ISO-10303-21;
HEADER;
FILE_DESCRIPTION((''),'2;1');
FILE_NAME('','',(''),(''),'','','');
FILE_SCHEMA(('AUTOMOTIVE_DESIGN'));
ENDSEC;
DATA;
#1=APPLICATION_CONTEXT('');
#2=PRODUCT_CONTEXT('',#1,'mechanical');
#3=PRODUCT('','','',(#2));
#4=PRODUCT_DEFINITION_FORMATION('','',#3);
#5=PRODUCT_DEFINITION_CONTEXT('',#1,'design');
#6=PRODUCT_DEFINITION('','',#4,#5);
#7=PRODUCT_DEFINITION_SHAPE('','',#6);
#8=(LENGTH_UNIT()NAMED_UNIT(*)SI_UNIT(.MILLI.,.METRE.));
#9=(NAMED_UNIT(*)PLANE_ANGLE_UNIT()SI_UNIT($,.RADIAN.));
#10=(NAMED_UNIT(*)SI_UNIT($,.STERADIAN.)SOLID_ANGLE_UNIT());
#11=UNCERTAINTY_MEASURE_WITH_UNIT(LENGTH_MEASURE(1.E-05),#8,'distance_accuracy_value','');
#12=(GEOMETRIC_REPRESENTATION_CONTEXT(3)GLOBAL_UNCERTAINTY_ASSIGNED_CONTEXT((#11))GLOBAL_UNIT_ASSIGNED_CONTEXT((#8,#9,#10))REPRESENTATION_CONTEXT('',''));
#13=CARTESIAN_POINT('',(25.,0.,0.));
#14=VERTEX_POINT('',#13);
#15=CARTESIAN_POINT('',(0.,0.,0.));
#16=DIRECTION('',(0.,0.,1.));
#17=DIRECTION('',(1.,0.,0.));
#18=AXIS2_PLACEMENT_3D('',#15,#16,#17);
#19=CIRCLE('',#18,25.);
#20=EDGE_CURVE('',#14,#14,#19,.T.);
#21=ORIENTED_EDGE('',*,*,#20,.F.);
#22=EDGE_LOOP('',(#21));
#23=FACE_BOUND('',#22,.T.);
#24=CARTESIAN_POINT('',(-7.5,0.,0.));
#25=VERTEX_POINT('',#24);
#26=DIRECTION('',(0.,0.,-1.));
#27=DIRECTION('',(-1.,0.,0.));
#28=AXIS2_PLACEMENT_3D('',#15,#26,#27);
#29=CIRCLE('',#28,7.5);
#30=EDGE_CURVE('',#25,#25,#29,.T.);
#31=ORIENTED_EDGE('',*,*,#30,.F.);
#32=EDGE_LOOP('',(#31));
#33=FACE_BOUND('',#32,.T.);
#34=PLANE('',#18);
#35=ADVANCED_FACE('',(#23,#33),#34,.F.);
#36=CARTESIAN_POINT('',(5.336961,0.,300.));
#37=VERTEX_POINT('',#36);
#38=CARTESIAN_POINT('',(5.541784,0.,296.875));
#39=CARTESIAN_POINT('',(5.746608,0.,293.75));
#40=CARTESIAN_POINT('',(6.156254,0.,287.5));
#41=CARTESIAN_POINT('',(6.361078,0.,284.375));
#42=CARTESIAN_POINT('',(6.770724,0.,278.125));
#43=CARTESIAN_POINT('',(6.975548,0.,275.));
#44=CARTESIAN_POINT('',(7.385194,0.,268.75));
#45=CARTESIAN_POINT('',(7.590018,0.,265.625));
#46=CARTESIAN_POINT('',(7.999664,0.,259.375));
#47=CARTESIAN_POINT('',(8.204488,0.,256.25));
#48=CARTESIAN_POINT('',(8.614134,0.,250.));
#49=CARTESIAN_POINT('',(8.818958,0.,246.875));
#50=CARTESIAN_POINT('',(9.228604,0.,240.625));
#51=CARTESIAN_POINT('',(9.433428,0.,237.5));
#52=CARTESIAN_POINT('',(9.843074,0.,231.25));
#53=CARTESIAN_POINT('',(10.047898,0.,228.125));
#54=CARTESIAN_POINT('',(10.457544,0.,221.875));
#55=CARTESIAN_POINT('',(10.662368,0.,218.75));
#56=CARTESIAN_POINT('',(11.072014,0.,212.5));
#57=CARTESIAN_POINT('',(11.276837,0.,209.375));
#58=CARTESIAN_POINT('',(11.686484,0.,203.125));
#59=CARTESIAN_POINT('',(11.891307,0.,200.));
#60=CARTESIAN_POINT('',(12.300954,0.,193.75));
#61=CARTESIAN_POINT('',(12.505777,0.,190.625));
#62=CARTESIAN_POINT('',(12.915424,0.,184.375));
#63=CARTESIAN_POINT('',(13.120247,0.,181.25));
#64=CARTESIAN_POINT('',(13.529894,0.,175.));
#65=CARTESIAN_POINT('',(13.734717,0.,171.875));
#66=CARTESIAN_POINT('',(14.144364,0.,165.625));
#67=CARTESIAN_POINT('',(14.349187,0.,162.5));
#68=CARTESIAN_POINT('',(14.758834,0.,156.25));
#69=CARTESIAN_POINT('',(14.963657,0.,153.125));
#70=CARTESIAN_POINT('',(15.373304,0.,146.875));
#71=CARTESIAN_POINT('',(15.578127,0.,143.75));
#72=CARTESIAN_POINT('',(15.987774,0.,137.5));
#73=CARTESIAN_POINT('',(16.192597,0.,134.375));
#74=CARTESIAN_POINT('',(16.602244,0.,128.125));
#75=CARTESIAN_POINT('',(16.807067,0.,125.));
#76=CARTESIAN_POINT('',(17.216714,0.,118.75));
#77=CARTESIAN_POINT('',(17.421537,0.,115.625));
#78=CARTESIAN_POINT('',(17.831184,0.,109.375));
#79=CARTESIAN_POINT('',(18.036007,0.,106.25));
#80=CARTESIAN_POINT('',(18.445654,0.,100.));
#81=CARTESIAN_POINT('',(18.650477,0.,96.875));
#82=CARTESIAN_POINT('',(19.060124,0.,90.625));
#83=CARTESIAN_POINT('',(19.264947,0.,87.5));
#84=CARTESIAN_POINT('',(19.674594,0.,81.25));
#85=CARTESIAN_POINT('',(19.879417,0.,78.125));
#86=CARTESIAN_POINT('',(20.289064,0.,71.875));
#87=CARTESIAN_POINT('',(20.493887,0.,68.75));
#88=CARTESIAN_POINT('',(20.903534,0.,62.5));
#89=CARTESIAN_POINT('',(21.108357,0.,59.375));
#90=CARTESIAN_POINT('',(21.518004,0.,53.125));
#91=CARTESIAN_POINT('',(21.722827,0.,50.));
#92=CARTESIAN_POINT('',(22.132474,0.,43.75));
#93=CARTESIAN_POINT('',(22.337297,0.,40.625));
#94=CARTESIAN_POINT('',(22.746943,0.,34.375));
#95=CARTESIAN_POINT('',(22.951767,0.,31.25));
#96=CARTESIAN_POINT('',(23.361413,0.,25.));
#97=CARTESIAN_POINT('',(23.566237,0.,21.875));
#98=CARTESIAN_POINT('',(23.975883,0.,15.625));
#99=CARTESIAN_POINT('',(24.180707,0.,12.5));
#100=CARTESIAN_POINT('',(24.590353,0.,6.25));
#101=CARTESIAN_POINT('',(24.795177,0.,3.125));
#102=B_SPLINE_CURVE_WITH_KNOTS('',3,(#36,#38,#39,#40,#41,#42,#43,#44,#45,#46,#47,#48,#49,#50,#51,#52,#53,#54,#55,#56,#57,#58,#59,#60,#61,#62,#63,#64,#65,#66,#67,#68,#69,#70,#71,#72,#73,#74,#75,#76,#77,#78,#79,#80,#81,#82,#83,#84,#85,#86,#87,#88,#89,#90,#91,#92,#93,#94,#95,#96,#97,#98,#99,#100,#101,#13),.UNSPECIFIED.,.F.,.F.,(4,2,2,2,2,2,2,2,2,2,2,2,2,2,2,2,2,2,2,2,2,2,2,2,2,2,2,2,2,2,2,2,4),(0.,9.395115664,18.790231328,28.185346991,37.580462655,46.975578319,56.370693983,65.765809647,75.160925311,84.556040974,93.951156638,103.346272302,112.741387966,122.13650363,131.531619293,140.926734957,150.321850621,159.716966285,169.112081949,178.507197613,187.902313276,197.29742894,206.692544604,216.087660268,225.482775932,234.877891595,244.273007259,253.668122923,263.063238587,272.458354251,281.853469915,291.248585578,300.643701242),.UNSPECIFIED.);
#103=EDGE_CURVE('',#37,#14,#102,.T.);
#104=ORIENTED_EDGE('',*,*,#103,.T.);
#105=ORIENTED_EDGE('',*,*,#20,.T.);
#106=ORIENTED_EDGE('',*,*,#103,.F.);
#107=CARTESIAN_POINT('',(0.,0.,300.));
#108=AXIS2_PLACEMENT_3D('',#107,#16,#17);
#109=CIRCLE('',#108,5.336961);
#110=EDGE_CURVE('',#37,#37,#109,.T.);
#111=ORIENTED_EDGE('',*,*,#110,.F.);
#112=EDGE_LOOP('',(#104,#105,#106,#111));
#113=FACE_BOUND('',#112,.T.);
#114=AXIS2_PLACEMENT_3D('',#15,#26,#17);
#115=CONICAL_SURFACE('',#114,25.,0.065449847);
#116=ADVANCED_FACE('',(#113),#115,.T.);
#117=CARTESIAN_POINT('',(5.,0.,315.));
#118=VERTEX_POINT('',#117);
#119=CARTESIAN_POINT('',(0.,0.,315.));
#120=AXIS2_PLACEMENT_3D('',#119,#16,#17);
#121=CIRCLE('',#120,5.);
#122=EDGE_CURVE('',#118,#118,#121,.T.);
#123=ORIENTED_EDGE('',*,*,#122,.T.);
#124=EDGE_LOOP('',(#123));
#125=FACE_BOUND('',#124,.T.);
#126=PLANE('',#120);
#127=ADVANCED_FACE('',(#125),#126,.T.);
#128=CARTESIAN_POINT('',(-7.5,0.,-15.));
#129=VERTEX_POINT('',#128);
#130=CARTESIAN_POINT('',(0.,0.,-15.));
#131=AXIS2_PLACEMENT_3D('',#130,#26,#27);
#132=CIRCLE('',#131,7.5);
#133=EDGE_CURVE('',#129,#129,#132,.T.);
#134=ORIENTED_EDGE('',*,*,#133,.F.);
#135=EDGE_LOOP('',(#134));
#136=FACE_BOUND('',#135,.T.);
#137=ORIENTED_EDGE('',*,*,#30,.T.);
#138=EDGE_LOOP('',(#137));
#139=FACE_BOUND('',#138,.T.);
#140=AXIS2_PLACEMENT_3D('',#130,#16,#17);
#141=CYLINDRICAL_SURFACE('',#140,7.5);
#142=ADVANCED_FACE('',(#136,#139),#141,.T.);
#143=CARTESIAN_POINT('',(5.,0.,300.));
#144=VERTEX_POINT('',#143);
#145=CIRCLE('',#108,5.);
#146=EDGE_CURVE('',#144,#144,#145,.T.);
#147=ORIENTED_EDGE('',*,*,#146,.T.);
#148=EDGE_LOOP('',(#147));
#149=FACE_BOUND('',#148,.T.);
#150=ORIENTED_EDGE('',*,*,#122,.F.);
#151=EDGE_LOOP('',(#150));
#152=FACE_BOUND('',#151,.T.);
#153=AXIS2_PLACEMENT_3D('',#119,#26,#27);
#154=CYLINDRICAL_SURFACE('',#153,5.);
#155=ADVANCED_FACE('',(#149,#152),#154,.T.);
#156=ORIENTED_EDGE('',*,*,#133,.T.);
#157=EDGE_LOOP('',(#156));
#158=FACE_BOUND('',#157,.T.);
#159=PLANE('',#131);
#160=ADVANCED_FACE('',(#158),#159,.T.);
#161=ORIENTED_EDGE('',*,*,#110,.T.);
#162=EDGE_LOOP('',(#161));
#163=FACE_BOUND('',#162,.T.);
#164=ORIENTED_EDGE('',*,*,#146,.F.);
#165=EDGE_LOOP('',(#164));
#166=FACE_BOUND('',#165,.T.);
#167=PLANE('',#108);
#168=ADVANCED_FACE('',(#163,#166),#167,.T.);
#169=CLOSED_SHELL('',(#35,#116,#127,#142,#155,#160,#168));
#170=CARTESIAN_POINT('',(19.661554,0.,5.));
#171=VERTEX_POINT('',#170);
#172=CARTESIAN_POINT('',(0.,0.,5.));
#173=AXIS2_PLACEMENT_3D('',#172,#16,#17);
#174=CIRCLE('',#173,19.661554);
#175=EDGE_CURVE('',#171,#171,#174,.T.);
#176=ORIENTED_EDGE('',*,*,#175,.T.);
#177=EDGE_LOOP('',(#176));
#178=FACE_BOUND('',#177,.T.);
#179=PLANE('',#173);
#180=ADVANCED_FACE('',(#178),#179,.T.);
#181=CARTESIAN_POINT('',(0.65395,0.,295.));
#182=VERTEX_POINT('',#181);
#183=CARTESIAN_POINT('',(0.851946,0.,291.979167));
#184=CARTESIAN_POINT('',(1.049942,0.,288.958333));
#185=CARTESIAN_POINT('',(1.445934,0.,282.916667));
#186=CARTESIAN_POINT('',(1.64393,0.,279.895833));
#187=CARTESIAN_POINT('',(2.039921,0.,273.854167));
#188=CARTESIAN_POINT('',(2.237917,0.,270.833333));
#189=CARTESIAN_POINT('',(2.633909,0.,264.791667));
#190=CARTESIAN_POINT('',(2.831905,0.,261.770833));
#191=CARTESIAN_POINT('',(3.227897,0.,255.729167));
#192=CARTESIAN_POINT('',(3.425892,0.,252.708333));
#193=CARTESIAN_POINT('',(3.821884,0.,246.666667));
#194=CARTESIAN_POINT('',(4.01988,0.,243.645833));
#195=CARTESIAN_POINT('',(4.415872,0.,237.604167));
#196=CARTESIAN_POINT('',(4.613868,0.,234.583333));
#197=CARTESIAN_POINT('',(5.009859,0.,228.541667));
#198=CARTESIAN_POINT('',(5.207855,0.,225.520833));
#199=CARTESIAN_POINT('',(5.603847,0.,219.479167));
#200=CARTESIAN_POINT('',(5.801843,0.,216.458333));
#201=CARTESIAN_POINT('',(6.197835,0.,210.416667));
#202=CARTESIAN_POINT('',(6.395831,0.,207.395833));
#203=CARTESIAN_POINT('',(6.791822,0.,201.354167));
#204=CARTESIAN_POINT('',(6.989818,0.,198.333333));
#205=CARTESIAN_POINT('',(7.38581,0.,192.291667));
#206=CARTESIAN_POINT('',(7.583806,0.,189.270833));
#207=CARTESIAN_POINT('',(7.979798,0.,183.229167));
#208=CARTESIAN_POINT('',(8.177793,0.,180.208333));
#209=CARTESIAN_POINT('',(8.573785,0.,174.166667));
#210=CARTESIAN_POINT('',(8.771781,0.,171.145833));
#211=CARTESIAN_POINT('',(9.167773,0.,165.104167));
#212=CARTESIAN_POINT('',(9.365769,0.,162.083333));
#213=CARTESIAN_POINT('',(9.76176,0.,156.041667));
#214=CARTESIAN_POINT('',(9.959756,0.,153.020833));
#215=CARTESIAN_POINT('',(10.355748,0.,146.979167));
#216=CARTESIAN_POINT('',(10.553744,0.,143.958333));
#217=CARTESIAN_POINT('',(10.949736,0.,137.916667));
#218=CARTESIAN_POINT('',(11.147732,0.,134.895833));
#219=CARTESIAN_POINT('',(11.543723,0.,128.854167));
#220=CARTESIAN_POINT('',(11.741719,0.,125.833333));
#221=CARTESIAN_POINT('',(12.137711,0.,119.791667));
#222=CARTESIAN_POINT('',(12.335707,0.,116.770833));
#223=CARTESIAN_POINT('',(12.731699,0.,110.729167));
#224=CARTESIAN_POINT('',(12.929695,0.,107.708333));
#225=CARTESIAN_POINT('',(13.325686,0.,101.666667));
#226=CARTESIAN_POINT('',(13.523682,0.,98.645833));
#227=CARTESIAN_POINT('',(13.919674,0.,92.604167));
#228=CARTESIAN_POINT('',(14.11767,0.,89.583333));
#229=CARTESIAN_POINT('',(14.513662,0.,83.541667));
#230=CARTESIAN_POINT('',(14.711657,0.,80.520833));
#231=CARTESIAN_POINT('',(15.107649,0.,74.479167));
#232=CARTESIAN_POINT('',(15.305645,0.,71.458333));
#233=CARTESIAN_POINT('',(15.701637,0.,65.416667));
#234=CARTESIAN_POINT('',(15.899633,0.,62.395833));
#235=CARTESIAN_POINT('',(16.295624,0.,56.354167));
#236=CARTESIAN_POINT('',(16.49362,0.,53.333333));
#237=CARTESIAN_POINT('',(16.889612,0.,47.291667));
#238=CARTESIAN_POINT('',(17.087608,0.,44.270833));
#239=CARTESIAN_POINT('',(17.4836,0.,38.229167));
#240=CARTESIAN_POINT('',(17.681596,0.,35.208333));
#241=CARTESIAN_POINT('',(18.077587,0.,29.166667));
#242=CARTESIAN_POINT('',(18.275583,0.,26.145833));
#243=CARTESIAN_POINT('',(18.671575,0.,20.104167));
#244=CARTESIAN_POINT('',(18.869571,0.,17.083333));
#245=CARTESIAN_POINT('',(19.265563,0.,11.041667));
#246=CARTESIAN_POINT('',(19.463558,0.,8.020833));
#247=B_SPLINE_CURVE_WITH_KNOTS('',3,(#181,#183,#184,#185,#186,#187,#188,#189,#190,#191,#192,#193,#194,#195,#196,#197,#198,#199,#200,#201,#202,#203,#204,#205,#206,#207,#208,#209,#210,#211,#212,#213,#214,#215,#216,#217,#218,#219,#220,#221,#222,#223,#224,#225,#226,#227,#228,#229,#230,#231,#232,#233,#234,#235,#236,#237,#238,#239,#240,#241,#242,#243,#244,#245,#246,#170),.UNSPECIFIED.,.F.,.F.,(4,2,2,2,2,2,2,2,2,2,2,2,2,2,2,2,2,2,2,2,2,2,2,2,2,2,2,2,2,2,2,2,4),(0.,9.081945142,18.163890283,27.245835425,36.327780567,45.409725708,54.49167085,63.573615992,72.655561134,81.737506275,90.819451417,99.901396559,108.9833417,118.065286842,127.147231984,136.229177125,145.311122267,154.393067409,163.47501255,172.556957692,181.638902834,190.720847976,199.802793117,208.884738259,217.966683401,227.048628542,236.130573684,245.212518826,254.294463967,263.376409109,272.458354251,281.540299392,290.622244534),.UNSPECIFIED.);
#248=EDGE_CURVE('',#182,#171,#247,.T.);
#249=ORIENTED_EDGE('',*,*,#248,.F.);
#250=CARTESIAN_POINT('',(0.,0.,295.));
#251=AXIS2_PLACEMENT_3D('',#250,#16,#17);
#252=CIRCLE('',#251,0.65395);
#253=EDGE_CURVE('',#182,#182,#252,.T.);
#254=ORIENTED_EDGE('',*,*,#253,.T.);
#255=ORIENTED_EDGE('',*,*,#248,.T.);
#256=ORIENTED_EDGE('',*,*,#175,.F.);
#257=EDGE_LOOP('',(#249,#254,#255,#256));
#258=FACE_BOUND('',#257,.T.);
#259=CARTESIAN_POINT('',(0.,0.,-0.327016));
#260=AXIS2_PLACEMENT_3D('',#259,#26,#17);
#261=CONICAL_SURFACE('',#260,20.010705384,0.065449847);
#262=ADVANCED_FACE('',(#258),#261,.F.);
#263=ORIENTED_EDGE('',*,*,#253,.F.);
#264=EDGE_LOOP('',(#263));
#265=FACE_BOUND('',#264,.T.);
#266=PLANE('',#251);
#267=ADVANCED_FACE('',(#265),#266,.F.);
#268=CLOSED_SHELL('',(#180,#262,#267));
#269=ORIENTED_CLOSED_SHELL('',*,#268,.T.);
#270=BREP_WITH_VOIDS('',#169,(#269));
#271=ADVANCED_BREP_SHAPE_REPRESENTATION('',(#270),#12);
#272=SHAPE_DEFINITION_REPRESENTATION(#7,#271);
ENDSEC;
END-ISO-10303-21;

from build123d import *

# Parameters (mm, degrees)
SKETCH1_R           = 25
BOSS_EXTRUDE1_DEPTH = 300
BOSS_EXTRUDE1_TAPER = 3.75
SHELL1_T            = 5
SKETCH2_R           = 7.5
BOSS_EXTRUDE2_DEPTH = 15
SKETCH3_R           = 5
BOSS_EXTRUDE3_DEPTH = 15


with BuildPart() as part:
    # Sketch1 → Boss-Extrude1 (new body)
    with BuildSketch(Plane.XY):
        Circle(SKETCH1_R)
    extrude(amount=BOSS_EXTRUDE1_DEPTH, taper=BOSS_EXTRUDE1_TAPER)

    # Shell1 (no face opened: a closed hollow body)
    add(offset(amount=-SHELL1_T, mode=Mode.PRIVATE), mode=Mode.SUBTRACT)

    # Sketch2 → Boss-Extrude2 (add)
    with BuildSketch(Plane(origin=(0, 0, 0), x_dir=(-1, 0, 0), z_dir=(0, 0, -1))):
        Circle(SKETCH2_R)
    extrude(amount=BOSS_EXTRUDE2_DEPTH)

    # Sketch3 → Boss-Extrude3 (add)
    with BuildSketch(Plane.XY.offset(300)):
        Circle(SKETCH3_R)
    extrude(amount=BOSS_EXTRUDE3_DEPTH)


solid = part.part
